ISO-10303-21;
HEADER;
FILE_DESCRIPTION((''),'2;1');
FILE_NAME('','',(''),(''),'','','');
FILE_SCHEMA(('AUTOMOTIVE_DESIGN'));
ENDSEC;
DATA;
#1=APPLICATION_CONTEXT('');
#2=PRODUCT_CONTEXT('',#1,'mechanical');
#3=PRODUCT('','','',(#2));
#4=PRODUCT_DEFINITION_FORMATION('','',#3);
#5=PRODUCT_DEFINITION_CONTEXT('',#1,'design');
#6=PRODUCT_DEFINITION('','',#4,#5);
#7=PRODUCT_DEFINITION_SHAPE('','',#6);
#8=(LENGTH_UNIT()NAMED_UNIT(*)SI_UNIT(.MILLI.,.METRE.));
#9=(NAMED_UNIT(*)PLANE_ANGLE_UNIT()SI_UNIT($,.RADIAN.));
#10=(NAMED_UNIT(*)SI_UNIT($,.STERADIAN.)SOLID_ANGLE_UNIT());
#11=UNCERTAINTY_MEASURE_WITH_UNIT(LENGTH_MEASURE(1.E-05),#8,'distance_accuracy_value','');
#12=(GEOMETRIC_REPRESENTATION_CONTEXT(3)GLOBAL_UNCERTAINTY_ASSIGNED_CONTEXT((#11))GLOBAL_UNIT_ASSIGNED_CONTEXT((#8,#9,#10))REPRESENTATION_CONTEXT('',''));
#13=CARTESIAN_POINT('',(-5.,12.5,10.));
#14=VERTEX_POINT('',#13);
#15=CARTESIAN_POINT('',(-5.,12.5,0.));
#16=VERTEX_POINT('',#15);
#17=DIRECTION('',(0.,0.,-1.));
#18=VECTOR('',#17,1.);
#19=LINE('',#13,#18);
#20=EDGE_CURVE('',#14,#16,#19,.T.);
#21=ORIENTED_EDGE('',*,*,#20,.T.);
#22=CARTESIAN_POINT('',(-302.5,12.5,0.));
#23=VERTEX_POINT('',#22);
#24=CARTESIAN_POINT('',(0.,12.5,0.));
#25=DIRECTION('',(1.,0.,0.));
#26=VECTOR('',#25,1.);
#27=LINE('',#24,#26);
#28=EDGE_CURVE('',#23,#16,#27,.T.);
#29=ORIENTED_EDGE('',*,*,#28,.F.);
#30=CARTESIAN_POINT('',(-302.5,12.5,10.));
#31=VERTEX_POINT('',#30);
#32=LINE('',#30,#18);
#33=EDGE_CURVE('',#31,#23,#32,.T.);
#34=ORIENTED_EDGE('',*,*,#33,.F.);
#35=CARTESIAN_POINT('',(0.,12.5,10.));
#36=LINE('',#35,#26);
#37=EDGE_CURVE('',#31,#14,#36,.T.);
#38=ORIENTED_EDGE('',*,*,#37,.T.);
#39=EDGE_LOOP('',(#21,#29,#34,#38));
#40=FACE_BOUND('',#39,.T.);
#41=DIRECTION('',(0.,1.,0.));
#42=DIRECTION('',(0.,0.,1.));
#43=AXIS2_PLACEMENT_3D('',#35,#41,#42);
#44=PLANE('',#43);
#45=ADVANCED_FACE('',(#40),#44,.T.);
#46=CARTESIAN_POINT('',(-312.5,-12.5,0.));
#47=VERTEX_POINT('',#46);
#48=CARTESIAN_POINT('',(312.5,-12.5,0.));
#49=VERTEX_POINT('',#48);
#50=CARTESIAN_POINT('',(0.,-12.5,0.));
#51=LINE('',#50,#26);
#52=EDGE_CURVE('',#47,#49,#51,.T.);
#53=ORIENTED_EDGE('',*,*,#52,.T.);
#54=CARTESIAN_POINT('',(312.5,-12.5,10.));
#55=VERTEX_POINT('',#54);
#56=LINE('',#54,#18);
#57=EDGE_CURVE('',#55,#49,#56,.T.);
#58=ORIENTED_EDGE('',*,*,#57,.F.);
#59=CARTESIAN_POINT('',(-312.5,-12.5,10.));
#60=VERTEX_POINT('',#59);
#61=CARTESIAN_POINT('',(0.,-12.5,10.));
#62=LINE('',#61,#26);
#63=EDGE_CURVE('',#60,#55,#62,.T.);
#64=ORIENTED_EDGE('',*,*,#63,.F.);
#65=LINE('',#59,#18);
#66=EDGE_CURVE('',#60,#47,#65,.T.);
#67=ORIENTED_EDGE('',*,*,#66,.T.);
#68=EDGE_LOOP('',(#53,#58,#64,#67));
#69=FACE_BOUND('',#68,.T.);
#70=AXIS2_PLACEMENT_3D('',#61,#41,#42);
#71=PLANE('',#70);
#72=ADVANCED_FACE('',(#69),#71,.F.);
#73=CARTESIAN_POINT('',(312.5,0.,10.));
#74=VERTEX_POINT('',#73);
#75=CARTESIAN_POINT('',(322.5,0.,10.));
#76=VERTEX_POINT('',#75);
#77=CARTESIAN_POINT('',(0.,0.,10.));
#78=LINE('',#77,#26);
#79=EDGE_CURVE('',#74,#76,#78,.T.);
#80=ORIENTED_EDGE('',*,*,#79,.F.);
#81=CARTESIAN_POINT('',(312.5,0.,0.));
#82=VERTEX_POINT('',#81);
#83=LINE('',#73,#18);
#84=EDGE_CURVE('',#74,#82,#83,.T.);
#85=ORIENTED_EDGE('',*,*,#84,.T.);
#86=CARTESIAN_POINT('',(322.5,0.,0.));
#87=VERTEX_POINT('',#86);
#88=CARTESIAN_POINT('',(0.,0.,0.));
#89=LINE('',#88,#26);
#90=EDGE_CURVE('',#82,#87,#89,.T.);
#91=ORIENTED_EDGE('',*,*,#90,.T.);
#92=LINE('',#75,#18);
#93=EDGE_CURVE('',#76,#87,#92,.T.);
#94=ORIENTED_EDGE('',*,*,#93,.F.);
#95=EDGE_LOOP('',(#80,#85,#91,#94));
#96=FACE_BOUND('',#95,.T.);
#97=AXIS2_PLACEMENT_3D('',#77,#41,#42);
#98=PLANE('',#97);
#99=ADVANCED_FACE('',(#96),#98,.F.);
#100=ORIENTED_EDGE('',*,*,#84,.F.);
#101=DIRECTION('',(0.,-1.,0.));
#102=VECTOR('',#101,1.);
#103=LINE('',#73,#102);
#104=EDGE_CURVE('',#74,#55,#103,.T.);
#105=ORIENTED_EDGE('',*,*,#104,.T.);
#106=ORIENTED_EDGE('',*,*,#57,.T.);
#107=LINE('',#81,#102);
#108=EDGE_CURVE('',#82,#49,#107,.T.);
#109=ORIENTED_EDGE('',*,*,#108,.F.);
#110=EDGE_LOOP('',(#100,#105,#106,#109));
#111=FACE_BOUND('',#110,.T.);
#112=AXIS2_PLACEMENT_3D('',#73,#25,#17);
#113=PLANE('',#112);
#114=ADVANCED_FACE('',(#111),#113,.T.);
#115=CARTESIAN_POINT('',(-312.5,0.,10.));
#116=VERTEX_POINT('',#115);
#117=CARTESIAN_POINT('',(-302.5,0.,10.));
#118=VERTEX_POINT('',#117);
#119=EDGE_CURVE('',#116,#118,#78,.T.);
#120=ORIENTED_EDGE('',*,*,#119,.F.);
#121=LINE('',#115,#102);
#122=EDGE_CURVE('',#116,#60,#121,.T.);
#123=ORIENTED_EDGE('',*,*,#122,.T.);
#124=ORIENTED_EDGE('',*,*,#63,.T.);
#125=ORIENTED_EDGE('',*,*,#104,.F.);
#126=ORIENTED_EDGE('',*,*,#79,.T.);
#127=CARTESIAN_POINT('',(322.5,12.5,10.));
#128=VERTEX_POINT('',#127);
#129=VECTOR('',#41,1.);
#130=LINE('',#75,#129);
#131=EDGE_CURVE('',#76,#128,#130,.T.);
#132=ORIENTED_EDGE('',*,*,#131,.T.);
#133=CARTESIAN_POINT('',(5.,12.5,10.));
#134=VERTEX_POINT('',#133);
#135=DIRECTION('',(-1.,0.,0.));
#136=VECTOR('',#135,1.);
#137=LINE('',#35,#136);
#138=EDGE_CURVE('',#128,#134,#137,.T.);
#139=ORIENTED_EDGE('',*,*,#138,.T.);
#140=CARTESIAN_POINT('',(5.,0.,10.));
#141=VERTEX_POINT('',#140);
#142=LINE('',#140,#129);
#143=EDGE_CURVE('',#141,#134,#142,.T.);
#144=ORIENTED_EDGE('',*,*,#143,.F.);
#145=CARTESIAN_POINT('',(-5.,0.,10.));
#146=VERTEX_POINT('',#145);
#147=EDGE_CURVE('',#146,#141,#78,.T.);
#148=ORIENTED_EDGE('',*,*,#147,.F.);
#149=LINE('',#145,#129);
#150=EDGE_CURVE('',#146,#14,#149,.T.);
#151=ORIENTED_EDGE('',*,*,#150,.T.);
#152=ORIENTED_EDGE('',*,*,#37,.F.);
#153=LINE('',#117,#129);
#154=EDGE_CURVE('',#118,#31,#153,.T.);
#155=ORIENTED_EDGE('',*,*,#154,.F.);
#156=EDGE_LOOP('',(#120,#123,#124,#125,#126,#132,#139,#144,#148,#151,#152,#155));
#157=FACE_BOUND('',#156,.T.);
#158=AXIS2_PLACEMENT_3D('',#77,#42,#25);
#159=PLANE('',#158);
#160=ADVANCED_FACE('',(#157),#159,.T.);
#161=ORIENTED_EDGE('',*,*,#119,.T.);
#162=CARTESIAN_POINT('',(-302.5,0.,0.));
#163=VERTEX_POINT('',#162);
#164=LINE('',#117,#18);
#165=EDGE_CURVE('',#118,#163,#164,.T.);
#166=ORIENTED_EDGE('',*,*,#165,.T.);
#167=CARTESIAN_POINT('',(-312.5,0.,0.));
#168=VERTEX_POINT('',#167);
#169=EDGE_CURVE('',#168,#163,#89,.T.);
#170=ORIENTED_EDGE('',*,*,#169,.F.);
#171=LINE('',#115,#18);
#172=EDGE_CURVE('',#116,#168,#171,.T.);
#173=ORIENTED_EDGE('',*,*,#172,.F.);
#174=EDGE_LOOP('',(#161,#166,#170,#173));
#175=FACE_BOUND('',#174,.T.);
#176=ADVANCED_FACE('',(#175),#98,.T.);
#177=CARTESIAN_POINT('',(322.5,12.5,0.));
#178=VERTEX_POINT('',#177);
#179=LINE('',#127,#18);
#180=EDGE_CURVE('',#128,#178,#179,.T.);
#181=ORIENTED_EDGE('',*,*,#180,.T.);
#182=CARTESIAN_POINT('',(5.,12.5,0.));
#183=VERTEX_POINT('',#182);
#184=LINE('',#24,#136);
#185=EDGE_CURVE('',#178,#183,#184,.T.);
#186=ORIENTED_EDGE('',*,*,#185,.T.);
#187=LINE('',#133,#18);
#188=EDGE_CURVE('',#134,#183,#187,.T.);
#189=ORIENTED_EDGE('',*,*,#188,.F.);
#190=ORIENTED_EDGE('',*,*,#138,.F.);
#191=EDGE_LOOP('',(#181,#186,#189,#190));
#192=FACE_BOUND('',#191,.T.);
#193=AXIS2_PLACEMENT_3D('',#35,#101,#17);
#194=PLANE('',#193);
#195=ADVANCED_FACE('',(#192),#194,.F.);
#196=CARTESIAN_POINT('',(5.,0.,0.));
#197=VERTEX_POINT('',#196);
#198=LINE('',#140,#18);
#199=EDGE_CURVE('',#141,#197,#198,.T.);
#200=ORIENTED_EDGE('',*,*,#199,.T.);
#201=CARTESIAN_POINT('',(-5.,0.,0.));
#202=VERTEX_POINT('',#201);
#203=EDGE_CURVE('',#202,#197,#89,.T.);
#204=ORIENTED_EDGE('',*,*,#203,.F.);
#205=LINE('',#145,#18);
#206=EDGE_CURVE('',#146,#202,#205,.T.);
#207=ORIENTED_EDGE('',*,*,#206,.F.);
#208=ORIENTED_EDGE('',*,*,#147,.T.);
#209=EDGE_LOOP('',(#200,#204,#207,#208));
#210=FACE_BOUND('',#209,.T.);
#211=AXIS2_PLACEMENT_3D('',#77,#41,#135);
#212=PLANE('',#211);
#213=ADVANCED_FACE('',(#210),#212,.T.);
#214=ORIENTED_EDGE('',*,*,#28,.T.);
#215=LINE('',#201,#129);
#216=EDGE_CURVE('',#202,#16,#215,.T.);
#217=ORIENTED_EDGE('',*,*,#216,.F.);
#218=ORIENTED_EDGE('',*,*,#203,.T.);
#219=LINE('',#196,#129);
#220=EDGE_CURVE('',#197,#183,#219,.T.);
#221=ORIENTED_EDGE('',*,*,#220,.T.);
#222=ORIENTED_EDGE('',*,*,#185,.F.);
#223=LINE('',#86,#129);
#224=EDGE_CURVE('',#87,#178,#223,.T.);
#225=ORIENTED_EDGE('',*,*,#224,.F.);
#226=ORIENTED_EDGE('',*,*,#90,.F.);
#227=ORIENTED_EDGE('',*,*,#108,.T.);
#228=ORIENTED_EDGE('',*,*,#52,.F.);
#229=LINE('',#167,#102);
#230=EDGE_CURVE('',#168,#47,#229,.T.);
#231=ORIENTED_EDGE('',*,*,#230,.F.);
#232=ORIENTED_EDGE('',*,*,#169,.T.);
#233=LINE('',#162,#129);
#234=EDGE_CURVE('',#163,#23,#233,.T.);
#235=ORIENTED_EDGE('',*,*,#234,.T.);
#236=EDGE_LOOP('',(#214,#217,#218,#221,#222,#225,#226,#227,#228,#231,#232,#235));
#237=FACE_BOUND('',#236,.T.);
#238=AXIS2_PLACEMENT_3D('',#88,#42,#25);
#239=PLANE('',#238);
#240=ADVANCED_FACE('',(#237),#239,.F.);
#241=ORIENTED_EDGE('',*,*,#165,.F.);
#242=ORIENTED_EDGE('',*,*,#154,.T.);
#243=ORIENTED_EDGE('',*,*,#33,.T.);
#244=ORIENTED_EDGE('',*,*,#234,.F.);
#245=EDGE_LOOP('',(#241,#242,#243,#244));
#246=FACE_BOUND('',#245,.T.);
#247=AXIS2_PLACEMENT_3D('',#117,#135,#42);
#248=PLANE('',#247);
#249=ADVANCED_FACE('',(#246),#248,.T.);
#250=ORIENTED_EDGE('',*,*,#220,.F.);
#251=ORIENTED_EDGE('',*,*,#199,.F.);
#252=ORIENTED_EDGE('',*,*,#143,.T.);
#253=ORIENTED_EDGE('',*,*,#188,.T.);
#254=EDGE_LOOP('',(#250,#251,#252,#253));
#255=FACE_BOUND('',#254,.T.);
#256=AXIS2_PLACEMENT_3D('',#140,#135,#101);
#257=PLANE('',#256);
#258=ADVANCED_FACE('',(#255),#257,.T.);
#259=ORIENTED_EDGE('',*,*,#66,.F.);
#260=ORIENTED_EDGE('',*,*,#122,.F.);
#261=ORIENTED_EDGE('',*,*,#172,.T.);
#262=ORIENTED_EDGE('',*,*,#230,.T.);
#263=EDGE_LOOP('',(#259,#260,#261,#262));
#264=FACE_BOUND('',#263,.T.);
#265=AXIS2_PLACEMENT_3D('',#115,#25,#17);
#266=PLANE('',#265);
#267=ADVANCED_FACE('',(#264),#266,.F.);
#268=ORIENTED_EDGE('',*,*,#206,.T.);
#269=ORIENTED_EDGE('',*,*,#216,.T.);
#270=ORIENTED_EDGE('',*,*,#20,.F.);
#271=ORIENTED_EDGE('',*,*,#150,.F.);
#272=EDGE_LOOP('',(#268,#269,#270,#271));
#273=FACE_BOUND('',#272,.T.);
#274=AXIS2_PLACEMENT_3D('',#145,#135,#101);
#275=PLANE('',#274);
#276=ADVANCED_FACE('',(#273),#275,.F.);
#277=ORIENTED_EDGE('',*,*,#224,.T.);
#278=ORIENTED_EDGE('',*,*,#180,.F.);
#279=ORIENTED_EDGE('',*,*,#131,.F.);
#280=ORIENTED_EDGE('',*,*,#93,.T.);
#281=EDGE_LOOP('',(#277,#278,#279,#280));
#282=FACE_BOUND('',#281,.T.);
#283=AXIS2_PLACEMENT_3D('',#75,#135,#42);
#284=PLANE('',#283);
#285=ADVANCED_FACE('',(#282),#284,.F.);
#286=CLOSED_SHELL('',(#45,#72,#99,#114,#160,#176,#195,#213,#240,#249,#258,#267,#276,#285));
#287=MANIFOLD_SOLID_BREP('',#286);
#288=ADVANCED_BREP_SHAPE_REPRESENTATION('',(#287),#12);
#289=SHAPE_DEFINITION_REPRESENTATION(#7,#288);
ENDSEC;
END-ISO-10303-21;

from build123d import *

# Parameters (mm, degrees)
BOSS_EXTRUDE1_DEPTH = 10


with BuildPart() as part:
    # Sketch1 → Boss-Extrude1 (new body)
    with BuildSketch(Plane.XY):
        Polygon((5, 0), (-5, 0), (-5, 12.5), (-302.5, 12.5), (-302.5, 0), (-312.5, 0), (-312.5, -12.5), (312.5, -12.5), (312.5, 0), (322.5, 0), (322.5, 12.5), (312.5, 12.5), (5, 12.5), align=None)
    extrude(amount=BOSS_EXTRUDE1_DEPTH)


solid = part.part
